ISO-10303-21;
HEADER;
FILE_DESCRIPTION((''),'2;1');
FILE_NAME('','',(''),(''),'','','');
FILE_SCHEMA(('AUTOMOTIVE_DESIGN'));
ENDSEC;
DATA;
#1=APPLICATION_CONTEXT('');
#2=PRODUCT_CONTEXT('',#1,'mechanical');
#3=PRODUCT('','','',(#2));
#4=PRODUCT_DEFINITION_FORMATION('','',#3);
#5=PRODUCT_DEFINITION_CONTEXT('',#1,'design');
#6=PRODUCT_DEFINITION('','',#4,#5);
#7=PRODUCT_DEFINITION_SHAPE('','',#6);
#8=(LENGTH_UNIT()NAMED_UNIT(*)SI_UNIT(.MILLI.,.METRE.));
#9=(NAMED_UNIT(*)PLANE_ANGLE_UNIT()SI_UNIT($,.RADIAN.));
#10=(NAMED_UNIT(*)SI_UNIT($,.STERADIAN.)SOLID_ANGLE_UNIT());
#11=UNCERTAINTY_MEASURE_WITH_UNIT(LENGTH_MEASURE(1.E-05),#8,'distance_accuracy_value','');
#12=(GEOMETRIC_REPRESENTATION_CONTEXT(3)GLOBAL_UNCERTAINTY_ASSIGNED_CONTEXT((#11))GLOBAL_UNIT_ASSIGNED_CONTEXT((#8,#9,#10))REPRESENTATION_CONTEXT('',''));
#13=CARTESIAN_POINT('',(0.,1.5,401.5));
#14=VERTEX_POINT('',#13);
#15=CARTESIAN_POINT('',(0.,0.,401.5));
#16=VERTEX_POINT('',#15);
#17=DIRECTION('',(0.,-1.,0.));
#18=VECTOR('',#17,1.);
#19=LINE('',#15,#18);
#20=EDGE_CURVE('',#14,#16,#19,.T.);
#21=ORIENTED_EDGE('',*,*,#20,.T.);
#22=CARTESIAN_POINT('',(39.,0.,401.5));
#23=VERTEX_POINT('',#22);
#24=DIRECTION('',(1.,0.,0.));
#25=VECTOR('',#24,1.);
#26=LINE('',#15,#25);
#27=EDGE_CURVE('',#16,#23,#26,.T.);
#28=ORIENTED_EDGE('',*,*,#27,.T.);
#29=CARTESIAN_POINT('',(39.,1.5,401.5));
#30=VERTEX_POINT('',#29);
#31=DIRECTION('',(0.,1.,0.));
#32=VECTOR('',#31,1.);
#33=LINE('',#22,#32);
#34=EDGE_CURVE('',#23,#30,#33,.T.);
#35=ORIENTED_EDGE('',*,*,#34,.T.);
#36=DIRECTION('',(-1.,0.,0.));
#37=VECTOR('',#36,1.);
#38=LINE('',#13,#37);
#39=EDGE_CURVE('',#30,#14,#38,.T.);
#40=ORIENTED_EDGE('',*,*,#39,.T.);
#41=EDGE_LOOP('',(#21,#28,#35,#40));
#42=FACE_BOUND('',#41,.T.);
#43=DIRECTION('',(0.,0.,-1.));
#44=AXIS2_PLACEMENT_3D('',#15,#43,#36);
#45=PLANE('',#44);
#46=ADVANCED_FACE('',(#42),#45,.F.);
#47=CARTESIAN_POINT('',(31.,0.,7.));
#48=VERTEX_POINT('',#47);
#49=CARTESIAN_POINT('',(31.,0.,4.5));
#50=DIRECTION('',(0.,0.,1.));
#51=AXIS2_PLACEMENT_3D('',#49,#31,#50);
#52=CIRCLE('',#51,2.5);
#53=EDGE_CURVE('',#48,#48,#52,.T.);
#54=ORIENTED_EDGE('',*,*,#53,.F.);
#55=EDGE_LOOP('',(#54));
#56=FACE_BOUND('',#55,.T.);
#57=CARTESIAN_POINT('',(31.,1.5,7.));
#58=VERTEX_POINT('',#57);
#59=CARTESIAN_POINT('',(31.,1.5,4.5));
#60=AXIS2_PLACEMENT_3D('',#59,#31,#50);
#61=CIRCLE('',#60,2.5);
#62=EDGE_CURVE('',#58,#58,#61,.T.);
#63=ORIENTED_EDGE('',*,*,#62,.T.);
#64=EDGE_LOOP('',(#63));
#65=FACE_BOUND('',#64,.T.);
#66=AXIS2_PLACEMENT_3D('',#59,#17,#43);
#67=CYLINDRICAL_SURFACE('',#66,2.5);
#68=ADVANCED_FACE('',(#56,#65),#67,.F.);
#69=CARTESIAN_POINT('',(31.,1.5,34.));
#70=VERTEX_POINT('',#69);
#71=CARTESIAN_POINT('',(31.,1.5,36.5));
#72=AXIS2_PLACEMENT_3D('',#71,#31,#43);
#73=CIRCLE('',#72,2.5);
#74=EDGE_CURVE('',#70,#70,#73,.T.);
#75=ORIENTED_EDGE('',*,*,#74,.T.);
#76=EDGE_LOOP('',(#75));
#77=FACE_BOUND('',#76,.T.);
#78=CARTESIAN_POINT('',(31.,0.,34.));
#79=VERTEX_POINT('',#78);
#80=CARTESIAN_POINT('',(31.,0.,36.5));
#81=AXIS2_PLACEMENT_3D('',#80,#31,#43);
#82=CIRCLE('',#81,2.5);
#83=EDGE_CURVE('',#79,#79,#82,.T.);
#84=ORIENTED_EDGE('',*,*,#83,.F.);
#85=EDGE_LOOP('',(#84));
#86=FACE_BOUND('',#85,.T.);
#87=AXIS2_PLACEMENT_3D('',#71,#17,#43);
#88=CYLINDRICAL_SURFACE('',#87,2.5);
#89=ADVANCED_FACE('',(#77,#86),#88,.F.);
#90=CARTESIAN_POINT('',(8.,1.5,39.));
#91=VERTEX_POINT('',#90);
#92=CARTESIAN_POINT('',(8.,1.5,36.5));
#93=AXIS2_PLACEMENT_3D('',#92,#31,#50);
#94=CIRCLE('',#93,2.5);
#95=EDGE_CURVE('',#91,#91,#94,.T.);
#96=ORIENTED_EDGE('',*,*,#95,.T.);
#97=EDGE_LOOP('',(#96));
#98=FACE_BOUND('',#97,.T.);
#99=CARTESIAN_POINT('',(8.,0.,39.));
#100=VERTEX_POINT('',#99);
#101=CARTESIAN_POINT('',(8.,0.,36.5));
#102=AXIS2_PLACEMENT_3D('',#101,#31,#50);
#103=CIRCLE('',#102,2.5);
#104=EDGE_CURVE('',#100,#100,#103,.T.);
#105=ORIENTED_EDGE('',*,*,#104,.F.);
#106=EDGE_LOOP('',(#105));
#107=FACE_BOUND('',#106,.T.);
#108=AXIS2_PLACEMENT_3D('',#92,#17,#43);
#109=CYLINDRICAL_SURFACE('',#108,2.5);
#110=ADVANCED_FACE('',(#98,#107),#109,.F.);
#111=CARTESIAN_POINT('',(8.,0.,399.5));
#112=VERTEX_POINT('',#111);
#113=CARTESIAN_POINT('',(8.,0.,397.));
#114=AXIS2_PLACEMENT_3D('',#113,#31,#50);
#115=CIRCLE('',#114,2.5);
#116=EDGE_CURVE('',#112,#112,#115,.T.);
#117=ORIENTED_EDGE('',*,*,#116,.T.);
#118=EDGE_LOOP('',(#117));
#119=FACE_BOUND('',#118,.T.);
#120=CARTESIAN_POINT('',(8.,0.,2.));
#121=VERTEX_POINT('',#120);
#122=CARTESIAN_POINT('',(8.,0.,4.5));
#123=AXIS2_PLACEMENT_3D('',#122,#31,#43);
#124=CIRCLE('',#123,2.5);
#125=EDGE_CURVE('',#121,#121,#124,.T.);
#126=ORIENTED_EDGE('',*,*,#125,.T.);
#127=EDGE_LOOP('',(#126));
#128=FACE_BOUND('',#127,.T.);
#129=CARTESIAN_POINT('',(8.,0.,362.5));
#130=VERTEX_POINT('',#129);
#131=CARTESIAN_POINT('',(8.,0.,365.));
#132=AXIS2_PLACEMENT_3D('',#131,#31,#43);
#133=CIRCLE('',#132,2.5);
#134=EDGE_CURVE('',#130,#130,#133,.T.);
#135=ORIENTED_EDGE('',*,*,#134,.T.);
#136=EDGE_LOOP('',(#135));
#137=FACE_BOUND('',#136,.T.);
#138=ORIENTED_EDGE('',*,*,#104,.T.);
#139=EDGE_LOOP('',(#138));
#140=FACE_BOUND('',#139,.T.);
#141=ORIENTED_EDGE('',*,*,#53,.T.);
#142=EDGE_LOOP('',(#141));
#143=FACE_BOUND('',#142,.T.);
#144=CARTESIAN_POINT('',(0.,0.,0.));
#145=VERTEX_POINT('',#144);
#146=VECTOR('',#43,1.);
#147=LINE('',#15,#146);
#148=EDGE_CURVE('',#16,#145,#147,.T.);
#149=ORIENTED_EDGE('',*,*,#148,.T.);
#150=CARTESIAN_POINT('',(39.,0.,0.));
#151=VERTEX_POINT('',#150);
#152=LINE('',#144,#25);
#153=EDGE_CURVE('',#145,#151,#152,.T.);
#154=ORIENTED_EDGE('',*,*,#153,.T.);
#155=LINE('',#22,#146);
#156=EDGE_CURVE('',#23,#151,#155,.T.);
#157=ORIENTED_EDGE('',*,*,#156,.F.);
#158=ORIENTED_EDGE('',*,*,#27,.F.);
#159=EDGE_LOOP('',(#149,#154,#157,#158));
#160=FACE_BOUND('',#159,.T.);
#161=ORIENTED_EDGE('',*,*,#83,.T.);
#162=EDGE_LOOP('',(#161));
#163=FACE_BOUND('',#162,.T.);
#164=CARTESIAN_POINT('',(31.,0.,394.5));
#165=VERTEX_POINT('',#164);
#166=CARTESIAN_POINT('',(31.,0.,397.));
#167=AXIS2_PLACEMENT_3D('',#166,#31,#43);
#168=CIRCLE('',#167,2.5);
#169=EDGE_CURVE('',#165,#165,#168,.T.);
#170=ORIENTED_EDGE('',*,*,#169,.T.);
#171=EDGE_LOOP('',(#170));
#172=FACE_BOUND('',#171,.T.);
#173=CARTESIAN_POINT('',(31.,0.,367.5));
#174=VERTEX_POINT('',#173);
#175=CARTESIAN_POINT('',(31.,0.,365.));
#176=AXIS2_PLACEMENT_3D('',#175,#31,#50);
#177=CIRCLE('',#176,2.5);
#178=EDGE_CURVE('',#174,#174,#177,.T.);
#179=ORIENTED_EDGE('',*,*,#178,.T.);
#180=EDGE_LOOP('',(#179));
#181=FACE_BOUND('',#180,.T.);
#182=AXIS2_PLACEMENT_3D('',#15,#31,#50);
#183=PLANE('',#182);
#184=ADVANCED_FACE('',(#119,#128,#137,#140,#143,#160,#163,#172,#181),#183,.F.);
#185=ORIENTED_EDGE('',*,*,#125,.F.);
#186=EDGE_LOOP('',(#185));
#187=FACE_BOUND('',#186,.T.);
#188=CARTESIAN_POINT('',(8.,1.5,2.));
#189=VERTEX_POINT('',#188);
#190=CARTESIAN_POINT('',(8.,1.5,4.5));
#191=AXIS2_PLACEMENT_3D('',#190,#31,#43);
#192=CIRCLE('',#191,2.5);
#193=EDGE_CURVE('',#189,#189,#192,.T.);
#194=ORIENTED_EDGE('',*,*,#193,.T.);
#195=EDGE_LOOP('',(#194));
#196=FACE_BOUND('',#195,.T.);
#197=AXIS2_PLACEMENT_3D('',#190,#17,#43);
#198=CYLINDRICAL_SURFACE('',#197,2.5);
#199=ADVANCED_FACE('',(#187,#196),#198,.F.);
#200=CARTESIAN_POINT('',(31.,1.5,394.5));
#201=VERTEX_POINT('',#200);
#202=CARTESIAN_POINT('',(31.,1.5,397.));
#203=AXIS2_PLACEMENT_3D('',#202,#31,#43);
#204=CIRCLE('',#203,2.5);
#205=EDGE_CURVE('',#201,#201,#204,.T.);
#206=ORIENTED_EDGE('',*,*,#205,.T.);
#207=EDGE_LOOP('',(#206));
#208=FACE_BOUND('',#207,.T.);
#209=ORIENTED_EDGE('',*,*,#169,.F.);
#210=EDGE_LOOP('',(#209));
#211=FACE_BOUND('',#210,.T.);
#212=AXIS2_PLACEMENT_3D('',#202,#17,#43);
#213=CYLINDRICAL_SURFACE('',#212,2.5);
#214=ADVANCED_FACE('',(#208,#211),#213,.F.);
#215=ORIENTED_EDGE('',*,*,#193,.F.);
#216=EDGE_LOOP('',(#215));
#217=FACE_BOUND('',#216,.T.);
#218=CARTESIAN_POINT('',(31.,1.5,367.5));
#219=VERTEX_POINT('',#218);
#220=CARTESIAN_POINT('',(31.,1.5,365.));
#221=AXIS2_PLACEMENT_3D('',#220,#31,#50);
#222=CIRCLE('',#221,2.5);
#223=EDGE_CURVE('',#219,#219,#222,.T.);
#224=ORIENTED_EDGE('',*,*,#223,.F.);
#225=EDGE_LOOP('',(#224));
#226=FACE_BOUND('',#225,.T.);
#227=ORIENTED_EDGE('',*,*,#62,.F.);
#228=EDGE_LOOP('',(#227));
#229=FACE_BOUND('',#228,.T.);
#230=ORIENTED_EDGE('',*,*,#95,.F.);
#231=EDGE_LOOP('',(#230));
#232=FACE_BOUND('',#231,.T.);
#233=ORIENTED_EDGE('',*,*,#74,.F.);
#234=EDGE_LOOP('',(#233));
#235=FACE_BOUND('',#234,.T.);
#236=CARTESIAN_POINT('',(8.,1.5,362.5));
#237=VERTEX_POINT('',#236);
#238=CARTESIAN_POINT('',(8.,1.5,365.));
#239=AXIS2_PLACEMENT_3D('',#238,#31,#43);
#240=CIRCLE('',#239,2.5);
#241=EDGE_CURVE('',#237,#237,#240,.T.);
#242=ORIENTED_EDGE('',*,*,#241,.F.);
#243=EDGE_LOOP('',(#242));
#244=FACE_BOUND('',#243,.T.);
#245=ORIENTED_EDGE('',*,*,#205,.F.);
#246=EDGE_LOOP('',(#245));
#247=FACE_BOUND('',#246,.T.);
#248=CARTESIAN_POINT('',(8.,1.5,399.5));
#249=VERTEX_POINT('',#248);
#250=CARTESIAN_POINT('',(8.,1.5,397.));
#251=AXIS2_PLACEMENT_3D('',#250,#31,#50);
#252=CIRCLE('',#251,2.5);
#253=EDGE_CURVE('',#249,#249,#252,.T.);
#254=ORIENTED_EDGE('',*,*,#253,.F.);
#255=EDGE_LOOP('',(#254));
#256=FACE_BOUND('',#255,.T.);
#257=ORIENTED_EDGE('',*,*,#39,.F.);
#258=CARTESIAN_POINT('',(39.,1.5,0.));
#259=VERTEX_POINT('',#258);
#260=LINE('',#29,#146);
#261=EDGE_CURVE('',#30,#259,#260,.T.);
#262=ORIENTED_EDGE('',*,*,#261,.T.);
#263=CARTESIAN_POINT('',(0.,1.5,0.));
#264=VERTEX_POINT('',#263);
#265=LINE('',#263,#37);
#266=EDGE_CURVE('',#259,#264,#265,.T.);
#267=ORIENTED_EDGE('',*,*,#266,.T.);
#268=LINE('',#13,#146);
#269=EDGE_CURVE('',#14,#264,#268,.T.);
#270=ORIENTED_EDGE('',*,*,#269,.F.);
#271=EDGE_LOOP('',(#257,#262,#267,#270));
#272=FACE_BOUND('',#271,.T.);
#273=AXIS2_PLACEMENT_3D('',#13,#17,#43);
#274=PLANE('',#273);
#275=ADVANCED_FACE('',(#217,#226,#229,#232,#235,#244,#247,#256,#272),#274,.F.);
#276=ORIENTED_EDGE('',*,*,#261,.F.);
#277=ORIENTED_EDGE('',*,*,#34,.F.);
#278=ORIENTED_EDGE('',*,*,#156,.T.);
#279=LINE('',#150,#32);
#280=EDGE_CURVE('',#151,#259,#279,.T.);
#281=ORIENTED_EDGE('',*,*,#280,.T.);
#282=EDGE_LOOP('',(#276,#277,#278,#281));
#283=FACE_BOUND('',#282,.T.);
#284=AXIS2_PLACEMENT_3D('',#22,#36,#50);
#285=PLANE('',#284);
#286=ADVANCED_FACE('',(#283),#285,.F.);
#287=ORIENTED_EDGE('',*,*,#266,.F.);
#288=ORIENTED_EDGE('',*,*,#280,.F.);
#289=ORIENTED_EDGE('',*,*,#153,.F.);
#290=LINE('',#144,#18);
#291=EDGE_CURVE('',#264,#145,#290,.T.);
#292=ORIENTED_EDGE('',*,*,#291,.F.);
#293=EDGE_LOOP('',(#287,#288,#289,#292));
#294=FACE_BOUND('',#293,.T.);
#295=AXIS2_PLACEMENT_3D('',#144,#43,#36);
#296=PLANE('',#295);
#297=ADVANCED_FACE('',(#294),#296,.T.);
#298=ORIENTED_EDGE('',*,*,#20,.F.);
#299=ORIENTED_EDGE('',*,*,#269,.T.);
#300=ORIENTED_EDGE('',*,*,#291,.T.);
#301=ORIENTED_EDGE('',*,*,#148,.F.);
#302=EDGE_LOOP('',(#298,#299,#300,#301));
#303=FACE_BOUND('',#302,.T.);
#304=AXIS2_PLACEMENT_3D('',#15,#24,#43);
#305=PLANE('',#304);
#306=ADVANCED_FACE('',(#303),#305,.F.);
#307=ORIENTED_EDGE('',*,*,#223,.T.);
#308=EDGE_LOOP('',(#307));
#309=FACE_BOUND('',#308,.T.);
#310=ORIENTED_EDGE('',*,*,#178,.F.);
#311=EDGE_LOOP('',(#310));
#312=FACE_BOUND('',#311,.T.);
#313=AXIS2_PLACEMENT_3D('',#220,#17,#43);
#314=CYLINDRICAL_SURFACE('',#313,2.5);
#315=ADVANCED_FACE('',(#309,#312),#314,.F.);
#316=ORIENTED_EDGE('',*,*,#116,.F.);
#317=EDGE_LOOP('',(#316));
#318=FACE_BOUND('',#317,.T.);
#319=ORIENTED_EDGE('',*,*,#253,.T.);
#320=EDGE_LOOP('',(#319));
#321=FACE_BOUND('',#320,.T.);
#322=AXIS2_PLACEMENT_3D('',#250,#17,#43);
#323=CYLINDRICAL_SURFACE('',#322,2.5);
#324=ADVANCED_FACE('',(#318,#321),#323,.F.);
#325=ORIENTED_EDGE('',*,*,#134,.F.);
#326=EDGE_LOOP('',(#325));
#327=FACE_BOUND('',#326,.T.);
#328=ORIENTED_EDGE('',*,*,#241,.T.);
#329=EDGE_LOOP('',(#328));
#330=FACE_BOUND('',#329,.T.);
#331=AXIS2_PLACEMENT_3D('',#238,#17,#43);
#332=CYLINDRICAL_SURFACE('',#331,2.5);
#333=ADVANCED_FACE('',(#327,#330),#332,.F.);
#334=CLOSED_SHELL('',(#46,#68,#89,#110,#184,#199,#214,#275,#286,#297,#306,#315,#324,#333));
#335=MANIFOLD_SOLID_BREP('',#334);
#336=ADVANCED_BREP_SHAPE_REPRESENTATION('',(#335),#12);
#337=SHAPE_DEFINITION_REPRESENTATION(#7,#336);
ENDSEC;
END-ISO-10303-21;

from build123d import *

# Parameters (mm, degrees)
ESQUISSE1_W             = 39
ESQUISSE1_H             = 1.5
BOSS_EXTRU_1_DEPTH      = 401.5
ESQUISSE2_R             = 2.5
ENL_V_MAT_EXTRU_1_DEPTH = 404.392488775


with BuildPart() as part:
    # Esquisse1 → Boss.-Extru.1 (new body)
    with BuildSketch(Plane.XY):
        with Locations((19.5, 0.75)):
            Rectangle(ESQUISSE1_W, ESQUISSE1_H)
    extrude(amount=BOSS_EXTRU_1_DEPTH)

    # Esquisse2 → Enlèv. mat.-Extru.1 (cut, through all)
    with BuildSketch(Plane(origin=(0, 0, 0), x_dir=(1, 0, 0), z_dir=(0, 1, 0))):
        with Locations(Location((8, -397, 0), (0, 0, 270))):
            Circle(ESQUISSE2_R)
        with Locations(Location((31, -365, 0), (0, 0, 270))):
            Circle(ESQUISSE2_R)
        with Locations(Location((31, -36.5, 0), (0, 0, 90))):
            Circle(ESQUISSE2_R)
        with Locations(Location((8, -4.5, 0), (0, 0, 90))):
            Circle(ESQUISSE2_R)
        with Locations(Location((8, -36.5, 0), (0, 0, 270))):
            Circle(ESQUISSE2_R)
        with Locations(Location((31, -4.5, 0), (0, 0, 270))):
            Circle(ESQUISSE2_R)
        with Locations(Location((8, -365, 0), (0, 0, 90))):
            Circle(ESQUISSE2_R)
        with Locations(Location((31, -397, 0), (0, 0, 90))):
            Circle(ESQUISSE2_R)
    extrude(amount=ENL_V_MAT_EXTRU_1_DEPTH, mode=Mode.SUBTRACT)


solid = part.part
